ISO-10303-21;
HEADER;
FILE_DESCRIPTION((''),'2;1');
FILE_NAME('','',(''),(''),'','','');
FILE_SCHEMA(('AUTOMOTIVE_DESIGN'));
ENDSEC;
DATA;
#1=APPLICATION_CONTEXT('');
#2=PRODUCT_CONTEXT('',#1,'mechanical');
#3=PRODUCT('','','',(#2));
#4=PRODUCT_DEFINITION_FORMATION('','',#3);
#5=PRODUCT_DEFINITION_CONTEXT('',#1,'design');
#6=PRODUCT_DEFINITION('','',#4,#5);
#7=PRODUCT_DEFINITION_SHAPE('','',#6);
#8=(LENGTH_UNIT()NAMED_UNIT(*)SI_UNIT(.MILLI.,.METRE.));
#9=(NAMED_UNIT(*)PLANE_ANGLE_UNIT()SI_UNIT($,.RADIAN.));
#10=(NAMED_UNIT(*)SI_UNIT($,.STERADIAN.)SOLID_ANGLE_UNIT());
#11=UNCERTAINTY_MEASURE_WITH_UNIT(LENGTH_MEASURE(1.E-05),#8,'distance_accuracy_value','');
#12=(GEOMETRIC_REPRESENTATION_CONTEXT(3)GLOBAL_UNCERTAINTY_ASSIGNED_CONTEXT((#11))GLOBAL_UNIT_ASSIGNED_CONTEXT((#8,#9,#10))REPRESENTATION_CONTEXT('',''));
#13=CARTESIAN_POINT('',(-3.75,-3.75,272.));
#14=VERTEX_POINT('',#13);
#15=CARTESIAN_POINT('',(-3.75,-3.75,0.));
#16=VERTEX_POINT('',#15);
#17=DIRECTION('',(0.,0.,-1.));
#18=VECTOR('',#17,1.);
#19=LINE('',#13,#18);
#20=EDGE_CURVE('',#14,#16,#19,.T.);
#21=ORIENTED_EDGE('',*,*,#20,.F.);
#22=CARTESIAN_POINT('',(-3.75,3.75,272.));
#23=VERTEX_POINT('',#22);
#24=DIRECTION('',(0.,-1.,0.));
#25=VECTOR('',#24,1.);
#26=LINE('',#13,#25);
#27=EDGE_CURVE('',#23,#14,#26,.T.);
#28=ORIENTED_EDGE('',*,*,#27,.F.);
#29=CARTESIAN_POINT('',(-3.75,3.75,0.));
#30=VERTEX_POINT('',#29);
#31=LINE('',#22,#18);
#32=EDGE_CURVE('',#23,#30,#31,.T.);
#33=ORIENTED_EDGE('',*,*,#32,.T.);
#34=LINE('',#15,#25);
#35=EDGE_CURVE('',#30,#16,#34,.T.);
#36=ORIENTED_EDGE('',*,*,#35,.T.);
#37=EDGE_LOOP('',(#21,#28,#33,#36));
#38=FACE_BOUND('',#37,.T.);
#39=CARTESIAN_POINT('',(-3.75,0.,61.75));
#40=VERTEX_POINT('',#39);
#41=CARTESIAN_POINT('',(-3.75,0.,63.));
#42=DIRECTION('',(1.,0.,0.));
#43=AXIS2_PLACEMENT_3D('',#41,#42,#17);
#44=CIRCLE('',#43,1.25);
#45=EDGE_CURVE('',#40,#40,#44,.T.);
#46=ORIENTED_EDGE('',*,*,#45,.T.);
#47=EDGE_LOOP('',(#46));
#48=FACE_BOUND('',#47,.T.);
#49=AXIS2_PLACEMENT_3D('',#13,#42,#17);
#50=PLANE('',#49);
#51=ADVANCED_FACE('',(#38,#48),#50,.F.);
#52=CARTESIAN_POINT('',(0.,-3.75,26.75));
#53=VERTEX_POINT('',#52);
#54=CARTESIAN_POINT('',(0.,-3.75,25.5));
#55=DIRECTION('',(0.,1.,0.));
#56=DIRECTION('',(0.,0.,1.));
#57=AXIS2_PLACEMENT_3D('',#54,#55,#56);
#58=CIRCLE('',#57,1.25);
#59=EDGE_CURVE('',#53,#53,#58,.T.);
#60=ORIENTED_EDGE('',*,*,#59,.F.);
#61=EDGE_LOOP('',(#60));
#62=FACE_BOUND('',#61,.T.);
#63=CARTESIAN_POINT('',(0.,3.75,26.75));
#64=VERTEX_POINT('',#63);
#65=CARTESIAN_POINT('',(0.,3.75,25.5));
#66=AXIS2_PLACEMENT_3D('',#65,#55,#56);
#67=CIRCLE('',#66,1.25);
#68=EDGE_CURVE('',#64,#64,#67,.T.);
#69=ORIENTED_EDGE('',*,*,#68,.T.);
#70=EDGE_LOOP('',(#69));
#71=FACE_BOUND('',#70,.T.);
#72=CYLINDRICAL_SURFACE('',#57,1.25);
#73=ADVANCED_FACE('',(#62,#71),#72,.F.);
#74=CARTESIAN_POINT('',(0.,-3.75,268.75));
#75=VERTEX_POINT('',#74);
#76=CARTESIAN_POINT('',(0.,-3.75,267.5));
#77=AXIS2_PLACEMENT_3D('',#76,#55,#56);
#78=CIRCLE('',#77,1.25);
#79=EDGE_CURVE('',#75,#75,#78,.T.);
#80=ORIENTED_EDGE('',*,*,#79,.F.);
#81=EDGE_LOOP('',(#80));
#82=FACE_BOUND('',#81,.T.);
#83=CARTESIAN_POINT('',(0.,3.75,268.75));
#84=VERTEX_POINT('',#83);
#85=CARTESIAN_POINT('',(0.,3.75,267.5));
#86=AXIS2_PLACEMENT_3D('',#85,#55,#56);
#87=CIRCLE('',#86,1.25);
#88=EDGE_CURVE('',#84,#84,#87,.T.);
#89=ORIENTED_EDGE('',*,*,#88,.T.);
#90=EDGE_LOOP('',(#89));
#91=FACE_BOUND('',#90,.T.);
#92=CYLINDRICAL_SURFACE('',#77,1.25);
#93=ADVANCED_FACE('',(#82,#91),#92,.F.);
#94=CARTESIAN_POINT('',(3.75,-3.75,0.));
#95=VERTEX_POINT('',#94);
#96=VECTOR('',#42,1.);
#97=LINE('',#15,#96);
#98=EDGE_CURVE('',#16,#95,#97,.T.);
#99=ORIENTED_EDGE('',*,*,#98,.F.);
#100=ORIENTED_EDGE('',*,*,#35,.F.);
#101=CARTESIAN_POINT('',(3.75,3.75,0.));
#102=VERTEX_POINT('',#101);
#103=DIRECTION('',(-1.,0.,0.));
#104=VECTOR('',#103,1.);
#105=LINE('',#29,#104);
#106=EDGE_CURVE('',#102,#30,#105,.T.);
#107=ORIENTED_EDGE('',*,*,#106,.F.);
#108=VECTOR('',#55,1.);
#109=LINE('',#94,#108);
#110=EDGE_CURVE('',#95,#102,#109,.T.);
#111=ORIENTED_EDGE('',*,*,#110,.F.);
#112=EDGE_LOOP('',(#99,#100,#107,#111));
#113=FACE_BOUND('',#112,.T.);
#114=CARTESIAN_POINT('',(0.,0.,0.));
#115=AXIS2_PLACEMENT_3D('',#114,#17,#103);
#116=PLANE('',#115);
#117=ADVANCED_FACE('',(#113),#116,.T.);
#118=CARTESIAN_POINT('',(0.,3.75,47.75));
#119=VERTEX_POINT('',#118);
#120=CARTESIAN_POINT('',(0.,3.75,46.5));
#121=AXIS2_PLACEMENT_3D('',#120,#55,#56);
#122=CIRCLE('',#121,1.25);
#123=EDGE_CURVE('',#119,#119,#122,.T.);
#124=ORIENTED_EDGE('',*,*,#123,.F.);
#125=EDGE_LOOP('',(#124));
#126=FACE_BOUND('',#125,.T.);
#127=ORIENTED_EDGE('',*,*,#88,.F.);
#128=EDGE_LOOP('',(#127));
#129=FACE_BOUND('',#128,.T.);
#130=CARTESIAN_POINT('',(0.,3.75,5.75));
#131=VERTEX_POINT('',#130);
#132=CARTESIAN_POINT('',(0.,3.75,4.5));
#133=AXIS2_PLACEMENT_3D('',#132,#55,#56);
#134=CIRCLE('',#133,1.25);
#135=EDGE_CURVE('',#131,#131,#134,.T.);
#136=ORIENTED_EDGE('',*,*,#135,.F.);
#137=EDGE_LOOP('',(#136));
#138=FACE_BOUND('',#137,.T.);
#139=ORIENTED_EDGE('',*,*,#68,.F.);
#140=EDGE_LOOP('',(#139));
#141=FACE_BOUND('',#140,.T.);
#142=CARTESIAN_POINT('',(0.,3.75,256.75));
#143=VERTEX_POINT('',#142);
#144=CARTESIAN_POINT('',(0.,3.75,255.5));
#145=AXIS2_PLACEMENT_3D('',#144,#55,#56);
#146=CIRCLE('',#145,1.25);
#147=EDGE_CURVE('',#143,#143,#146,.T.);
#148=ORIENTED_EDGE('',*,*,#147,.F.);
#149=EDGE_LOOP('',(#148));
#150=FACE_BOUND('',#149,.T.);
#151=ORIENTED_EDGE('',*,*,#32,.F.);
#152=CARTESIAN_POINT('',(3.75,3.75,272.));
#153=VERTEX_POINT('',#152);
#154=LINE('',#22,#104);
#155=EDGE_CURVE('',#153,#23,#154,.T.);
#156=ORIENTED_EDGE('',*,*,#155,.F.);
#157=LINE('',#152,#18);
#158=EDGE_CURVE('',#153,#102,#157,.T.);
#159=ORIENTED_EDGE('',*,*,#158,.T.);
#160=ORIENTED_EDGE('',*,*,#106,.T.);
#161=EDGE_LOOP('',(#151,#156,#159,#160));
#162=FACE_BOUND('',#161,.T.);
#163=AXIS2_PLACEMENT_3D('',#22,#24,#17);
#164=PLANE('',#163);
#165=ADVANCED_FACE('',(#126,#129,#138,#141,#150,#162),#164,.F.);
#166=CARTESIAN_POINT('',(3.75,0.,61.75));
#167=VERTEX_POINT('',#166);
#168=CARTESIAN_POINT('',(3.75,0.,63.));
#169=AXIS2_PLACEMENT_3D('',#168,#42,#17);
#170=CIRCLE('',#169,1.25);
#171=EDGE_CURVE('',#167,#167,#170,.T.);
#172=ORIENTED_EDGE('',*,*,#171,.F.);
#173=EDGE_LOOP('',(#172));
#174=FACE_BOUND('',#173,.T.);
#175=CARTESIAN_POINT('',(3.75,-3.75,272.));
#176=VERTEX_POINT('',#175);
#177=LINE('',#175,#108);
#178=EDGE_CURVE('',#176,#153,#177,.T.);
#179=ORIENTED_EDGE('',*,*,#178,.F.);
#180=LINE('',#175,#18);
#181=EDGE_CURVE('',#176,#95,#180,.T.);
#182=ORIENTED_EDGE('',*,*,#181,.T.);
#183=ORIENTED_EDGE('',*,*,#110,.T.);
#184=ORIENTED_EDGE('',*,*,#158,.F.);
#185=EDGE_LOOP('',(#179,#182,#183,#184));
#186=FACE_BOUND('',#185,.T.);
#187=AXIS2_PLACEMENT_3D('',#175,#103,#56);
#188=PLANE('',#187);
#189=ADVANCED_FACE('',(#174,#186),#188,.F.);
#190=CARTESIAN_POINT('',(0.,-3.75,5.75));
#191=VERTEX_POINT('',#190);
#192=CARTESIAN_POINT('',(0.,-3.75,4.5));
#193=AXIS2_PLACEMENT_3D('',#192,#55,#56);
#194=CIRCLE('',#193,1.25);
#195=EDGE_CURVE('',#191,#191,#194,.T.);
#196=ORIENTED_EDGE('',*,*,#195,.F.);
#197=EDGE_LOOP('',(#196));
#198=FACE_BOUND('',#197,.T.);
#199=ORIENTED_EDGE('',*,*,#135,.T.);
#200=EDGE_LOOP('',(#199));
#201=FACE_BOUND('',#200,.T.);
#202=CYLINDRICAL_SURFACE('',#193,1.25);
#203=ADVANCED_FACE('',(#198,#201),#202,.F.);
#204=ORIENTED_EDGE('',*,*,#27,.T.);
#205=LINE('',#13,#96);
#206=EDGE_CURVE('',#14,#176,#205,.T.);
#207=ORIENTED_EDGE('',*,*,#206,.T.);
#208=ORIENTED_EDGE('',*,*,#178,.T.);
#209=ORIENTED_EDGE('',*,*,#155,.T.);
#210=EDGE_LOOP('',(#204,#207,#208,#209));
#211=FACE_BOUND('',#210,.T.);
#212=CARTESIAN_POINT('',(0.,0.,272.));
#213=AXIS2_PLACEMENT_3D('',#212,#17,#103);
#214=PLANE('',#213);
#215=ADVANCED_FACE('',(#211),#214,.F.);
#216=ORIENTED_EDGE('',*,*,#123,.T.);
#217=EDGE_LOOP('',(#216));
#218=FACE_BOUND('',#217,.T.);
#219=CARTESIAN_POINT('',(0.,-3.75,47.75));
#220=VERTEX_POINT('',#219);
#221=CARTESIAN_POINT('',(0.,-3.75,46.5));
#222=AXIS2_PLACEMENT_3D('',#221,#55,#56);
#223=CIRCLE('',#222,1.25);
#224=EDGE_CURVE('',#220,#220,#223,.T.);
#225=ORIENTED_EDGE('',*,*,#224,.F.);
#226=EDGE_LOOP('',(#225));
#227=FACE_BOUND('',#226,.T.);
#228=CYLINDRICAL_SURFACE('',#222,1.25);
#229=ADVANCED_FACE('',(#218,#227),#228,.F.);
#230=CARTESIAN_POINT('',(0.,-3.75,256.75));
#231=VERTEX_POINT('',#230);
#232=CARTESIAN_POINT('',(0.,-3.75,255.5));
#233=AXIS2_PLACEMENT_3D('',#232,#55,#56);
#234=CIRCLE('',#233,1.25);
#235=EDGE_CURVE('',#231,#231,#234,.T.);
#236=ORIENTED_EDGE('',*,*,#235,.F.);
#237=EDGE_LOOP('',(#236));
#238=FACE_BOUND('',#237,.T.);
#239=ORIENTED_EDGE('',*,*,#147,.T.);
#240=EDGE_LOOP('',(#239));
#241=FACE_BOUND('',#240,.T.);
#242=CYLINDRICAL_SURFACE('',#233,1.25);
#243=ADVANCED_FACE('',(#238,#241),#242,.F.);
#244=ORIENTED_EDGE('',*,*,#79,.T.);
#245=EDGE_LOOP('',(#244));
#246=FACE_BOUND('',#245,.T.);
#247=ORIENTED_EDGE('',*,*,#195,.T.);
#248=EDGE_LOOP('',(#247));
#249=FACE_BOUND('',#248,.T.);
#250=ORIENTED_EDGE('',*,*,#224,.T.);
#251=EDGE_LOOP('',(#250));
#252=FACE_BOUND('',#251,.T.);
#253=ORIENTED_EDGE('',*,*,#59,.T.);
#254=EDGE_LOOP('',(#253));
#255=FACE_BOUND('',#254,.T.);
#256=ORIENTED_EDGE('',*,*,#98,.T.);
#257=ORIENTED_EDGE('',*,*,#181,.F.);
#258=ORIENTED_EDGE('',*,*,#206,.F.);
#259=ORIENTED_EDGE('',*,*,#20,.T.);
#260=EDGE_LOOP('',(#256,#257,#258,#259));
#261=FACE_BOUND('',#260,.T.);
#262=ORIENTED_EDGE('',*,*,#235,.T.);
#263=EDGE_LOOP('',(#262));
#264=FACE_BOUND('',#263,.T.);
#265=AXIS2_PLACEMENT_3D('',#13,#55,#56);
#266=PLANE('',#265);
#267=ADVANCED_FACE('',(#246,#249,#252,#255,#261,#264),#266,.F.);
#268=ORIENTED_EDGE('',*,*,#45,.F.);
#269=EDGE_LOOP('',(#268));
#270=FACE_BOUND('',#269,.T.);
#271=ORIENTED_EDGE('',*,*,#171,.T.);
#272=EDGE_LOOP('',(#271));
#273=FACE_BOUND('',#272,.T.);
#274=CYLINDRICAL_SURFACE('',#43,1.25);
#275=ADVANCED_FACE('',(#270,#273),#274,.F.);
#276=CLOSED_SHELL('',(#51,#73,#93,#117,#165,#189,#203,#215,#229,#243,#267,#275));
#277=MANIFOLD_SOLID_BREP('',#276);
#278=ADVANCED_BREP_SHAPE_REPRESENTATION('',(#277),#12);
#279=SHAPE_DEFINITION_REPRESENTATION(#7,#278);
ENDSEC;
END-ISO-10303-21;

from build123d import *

# Parameters (mm, degrees)
ESQUISSE1_W             = 7.5
ESQUISSE1_H             = 7.5
BOSS_EXTRU_1_DEPTH      = 272
ESQUISSE2_R             = 1.25
ENL_V_MAT_EXTRU_1_DEPTH = 273.129220225
ESQUISSE3_R             = 1.25
ENL_V_MAT_EXTRU_2_DEPTH = 273.129220225


with BuildPart() as part:
    # Esquisse1 → Boss.-Extru.1 (new body)
    with BuildSketch(Plane.XY):
        Rectangle(ESQUISSE1_W, ESQUISSE1_H)
    extrude(amount=BOSS_EXTRU_1_DEPTH)

    # Esquisse2 → Enlèv. mat.-Extru.1 (cut, through all)
    with BuildSketch(Plane(origin=(0, 3.75, 0), x_dir=(1, 0, 0), z_dir=(0, 1, 0))):
        with Locations(Location((0, -4.5, 0), (0, 0, 270))):
            Circle(ESQUISSE2_R)
        with Locations(Location((0, -25.5, 0), (0, 0, 270))):
            Circle(ESQUISSE2_R)
        with Locations(Location((0, -46.5, 0), (0, 0, 270))):
            Circle(ESQUISSE2_R)
        with Locations(Location((0, -255.5, 0), (0, 0, 270))):
            Circle(ESQUISSE2_R)
        with Locations(Location((0, -267.5, 0), (0, 0, 270))):
            Circle(ESQUISSE2_R)
    extrude(amount=-ENL_V_MAT_EXTRU_1_DEPTH, mode=Mode.SUBTRACT)

    # Esquisse3 → Enlèv. mat.-Extru.2 (cut, through all)
    with BuildSketch(Plane(origin=(3.75, 0, 0), x_dir=(0, 0, -1), z_dir=(1, 0, 0))):
        with Locations((-63, 0)):
            Circle(ESQUISSE3_R)
    extrude(amount=-ENL_V_MAT_EXTRU_2_DEPTH, mode=Mode.SUBTRACT)


solid = part.part
